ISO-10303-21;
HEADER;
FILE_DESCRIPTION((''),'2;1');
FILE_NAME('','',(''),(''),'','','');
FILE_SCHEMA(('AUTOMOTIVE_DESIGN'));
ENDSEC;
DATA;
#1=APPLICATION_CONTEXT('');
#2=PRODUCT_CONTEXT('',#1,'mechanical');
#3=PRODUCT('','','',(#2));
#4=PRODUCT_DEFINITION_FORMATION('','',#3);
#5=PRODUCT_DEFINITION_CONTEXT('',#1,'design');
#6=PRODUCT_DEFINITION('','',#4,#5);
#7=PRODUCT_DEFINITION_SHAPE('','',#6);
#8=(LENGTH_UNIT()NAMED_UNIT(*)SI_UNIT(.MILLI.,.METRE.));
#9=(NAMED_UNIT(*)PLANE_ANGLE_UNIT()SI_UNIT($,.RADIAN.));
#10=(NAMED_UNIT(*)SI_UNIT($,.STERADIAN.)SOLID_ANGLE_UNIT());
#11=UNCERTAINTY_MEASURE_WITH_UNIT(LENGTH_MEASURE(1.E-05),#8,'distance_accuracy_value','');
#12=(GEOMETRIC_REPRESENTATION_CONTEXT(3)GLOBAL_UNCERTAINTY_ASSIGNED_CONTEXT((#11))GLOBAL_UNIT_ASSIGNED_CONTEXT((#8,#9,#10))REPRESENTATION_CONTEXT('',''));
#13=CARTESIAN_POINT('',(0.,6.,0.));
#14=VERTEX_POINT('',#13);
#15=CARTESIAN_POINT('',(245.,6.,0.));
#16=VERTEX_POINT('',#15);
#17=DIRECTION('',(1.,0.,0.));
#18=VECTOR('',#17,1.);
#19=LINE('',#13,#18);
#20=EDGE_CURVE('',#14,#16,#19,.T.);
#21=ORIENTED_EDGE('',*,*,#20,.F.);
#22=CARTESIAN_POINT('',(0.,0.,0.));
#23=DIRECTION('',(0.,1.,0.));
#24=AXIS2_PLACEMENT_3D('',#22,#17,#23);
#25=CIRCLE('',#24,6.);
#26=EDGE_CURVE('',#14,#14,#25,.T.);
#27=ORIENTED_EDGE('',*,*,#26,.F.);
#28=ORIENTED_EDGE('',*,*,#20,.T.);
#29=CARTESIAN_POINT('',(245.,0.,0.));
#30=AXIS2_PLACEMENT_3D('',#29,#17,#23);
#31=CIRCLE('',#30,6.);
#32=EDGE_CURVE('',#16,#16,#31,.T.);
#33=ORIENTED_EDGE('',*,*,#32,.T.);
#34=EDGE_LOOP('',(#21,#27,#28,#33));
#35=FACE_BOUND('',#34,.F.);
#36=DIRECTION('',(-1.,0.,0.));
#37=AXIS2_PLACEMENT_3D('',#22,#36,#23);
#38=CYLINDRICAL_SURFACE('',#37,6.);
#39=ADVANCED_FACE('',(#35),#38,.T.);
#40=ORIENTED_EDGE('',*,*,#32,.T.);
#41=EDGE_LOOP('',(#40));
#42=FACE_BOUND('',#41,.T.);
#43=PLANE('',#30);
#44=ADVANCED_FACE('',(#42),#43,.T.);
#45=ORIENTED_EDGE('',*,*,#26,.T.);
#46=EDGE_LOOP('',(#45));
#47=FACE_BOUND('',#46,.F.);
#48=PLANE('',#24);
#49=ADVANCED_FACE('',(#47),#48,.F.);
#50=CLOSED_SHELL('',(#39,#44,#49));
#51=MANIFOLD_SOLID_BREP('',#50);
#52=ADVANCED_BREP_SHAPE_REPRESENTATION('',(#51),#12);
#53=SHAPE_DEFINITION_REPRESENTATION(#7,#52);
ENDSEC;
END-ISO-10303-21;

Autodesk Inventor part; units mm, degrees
ref_plane "YZ Plane" through (0, 0, 0) normal (1, 0, 0) x (0, 1, 0)
ref_plane "XZ Plane" through (0, 0, 0) normal (0, 1, 0) x (-1, 0, 0)
ref_plane "XY Plane" through (0, 0, 0) normal (0, 0, 1) x (1, 0, 0)
sketch "スケッチ1" plane through (0, 0, 0) normal (1, 0, 0) x (0, 1, 0)
  circle A0 centre (0, 0) radius 6
  dimension "d0" = 12
extrude "押し出し1" add sketch "スケッチ1" along normal blind 245
properties part number "dribl-v1-Shaft-2" material "アルミニウム 6061"
